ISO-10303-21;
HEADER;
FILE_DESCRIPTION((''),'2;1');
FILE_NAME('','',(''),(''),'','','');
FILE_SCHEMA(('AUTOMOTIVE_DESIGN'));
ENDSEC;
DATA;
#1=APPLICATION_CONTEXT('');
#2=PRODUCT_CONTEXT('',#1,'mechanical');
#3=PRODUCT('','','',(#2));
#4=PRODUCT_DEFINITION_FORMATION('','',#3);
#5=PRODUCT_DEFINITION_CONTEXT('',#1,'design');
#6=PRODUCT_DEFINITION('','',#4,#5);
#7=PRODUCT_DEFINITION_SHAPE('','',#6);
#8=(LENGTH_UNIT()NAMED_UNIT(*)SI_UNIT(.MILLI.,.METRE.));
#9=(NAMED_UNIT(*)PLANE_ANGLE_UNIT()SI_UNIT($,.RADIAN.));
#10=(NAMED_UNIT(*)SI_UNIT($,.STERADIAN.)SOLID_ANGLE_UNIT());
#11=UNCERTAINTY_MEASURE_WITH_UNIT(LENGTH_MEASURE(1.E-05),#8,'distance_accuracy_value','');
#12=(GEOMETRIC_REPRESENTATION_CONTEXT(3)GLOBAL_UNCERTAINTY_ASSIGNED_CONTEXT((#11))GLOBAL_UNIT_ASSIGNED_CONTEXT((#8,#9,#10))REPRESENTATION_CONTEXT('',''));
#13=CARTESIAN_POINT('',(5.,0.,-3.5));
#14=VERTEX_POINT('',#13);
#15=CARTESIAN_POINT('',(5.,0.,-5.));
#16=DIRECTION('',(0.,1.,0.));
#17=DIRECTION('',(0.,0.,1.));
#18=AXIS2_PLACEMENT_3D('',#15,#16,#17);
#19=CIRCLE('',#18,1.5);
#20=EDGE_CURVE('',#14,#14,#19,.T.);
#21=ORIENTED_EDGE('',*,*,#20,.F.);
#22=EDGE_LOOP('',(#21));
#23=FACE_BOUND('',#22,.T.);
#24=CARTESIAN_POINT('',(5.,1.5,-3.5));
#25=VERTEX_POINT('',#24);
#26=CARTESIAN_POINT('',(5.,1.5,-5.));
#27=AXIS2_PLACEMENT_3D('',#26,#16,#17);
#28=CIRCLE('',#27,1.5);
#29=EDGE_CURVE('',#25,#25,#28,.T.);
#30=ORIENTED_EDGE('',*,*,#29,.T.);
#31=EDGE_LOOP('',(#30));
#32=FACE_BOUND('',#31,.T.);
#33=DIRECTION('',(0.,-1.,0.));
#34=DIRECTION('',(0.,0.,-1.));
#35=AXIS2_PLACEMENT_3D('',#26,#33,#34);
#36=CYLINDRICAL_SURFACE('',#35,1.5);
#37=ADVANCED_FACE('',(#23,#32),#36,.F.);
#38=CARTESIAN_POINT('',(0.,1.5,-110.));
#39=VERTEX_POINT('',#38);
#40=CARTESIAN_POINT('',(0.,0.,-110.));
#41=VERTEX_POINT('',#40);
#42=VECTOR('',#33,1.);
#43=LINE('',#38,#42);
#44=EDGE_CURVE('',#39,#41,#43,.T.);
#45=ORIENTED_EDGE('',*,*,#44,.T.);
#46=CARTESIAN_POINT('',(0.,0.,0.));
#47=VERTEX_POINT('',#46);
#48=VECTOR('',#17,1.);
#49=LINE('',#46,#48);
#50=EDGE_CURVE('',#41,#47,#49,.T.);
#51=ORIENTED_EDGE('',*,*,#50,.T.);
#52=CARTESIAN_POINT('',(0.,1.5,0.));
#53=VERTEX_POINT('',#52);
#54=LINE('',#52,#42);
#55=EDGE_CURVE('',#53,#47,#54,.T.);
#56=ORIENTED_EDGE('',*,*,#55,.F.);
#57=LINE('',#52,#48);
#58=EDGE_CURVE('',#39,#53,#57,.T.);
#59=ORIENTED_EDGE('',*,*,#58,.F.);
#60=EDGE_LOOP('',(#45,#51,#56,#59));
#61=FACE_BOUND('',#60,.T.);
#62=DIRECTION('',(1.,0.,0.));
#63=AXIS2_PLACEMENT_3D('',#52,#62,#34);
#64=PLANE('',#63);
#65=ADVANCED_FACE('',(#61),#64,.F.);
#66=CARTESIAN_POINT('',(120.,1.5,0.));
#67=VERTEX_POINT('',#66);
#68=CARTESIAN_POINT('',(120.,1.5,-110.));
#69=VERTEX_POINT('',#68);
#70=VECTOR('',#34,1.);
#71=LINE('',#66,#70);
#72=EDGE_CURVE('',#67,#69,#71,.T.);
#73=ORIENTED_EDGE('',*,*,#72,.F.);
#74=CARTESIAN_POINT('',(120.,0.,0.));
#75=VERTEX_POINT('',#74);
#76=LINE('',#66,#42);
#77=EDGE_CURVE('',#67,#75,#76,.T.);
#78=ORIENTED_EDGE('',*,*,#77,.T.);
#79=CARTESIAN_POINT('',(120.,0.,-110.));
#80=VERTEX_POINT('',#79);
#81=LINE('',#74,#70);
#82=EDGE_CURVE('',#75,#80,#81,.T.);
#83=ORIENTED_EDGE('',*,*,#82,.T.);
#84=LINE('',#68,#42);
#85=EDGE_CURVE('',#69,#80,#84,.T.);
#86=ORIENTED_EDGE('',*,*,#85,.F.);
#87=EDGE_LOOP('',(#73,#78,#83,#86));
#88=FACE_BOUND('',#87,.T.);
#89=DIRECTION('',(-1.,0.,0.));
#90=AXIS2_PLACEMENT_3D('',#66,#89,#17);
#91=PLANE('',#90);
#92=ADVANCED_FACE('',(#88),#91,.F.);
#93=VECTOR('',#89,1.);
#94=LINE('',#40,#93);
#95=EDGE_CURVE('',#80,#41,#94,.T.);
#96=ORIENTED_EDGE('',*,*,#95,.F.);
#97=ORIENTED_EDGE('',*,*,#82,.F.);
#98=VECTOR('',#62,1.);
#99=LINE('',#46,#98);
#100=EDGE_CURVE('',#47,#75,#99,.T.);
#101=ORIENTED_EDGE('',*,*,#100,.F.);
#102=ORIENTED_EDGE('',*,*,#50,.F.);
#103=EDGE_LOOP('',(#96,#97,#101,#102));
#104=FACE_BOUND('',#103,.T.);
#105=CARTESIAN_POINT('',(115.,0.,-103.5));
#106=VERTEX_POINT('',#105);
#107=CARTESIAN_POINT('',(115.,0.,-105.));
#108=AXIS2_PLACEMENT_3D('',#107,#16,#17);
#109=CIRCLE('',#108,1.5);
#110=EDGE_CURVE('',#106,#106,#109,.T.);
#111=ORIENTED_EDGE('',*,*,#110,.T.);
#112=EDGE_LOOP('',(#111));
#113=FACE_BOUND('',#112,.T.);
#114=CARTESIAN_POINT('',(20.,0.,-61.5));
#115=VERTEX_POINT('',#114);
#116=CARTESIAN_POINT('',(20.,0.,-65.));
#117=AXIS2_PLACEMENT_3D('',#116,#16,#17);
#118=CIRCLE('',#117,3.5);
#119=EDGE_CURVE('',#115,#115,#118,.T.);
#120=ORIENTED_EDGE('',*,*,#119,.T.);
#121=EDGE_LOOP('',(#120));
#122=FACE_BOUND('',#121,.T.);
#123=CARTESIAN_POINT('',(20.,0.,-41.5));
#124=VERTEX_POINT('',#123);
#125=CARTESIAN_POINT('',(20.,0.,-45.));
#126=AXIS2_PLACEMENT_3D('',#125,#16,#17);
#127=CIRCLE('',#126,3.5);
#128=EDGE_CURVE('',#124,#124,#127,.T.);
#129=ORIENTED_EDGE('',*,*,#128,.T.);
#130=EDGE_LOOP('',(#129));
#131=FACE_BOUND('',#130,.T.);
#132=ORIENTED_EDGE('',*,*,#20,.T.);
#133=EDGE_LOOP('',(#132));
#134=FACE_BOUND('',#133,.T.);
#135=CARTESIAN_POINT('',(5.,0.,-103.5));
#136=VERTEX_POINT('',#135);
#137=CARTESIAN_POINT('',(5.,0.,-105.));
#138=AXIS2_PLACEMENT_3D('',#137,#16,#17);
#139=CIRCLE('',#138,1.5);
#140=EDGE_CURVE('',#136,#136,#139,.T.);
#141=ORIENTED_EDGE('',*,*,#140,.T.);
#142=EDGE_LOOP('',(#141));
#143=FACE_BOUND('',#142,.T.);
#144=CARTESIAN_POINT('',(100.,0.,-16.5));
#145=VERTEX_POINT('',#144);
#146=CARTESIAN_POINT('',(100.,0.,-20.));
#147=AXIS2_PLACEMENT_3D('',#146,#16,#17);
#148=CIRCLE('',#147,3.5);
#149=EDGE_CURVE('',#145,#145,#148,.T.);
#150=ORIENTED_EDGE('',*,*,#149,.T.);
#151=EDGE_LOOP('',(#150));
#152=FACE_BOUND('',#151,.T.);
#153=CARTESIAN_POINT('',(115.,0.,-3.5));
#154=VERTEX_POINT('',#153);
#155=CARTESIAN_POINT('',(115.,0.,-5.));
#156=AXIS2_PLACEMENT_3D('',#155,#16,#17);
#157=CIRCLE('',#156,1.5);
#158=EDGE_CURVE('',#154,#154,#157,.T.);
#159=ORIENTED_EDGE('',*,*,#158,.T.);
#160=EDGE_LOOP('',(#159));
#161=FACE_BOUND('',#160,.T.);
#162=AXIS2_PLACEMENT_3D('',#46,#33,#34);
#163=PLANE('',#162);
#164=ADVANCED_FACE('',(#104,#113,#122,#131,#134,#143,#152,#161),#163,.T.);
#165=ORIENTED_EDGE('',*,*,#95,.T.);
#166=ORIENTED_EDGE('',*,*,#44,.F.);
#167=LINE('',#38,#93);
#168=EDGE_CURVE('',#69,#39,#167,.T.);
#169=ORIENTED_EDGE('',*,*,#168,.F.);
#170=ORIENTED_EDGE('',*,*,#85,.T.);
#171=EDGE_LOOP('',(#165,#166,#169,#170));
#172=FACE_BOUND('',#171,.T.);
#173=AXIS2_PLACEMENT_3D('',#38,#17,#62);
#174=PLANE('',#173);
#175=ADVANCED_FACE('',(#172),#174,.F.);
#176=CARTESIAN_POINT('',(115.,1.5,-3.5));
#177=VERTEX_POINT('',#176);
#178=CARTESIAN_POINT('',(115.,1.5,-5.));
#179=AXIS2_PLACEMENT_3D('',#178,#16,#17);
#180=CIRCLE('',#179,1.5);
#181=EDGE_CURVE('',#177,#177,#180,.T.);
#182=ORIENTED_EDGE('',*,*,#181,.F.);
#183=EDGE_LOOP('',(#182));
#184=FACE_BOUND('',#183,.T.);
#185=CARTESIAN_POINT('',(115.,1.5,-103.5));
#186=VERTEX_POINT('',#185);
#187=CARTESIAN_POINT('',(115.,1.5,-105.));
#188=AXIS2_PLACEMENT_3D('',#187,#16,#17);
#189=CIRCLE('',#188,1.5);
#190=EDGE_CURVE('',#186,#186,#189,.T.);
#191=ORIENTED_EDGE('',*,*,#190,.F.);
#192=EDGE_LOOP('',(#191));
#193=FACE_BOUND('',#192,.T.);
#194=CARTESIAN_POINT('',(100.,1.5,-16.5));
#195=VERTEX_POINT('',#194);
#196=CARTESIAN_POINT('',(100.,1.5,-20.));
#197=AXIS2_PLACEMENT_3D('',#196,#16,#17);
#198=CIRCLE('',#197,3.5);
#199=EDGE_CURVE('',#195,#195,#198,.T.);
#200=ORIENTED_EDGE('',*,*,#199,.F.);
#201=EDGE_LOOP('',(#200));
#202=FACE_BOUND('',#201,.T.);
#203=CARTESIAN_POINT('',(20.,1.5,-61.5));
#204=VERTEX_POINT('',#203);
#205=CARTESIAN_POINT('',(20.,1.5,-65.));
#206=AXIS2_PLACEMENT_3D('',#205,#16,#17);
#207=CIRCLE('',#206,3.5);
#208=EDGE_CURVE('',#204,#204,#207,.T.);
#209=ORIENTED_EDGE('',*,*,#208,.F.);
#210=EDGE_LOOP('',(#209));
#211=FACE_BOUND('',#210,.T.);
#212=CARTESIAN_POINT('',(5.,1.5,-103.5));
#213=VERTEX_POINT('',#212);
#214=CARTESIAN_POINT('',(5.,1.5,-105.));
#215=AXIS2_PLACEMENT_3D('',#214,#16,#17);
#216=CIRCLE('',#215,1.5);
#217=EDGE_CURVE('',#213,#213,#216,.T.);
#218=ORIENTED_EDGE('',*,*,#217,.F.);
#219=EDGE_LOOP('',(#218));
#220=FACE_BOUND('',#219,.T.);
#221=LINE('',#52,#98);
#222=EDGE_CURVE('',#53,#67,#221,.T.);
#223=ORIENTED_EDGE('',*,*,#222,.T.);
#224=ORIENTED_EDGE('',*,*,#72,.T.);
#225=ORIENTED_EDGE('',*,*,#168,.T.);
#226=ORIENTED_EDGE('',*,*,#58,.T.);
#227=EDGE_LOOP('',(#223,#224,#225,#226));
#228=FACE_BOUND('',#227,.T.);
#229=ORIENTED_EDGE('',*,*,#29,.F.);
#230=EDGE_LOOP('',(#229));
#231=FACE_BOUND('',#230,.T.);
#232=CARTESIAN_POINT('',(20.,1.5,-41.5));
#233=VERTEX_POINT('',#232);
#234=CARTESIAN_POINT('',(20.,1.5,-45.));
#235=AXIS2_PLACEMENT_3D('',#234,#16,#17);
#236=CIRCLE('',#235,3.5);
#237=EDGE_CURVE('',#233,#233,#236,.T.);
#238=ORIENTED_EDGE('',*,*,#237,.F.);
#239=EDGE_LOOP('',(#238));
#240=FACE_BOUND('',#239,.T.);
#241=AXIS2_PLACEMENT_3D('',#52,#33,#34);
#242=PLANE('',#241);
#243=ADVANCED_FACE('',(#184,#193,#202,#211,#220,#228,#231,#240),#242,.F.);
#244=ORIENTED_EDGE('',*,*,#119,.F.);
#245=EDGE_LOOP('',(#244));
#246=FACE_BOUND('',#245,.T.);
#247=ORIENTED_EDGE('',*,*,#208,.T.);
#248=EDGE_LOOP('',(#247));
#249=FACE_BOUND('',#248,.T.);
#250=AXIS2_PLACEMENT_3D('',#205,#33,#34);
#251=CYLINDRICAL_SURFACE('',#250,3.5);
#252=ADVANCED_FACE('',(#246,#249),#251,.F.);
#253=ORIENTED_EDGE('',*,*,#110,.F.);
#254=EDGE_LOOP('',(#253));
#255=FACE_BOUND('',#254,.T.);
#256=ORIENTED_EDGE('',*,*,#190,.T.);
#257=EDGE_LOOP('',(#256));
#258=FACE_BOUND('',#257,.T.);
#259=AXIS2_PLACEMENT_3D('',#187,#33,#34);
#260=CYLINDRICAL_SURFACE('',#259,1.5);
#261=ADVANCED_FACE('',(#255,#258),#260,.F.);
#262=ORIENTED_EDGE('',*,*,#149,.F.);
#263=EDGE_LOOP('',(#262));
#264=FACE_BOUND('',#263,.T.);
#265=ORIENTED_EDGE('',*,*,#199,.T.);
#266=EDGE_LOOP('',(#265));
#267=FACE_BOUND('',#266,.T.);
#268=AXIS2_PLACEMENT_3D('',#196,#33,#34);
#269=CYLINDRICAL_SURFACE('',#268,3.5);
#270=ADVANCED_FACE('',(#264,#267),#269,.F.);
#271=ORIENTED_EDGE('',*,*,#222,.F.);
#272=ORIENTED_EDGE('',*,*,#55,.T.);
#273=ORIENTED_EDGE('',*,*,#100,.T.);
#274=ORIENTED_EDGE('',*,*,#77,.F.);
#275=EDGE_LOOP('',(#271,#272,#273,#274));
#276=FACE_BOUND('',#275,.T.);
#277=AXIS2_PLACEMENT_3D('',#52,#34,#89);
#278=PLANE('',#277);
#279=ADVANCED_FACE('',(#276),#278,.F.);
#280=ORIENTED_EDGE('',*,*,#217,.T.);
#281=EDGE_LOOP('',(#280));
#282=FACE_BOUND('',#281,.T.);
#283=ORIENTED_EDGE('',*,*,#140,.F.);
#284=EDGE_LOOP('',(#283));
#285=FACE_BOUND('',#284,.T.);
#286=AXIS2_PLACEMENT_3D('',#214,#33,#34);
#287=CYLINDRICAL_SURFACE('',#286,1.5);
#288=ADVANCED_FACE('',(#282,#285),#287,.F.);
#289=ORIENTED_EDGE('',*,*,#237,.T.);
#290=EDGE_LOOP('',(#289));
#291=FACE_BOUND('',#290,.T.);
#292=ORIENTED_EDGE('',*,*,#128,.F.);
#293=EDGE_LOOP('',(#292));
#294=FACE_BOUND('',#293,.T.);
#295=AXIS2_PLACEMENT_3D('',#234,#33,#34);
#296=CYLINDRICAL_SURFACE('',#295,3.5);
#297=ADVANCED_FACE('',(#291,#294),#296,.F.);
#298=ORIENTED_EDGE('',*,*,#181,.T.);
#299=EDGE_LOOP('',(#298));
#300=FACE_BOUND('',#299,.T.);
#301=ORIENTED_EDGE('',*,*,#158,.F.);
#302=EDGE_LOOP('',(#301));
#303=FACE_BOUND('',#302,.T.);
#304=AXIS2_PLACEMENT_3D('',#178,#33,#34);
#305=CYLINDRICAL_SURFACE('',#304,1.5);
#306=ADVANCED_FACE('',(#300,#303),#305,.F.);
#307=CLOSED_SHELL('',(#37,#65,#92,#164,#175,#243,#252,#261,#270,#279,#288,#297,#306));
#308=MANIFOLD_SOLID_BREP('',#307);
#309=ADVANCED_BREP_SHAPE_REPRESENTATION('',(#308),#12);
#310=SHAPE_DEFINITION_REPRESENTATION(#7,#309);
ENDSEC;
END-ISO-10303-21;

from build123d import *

# Parameters (mm, degrees)
SKETCH1_W           = 120
SKETCH1_H           = 110
SKETCH1_R           = 1.5
SKETCH1_R_2         = 3.5
BOSS_EXTRUDE1_DEPTH = 1.5


with BuildPart() as part:
    # Sketch1 → Boss-Extrude1 (new body)
    with BuildSketch(Plane(origin=(0, 0, 0), x_dir=(1, 0, 0), z_dir=(0, 1, 0))):
        with Locations((60, 55)):
            Rectangle(SKETCH1_W, SKETCH1_H)
        with Locations(Location((5, 105, 0), (0, 0, 270))):
            Circle(SKETCH1_R, mode=Mode.SUBTRACT)
        with Locations(Location((115, 105, 0), (0, 0, 270))):
            Circle(SKETCH1_R, mode=Mode.SUBTRACT)
        with Locations(Location((115, 5, 0), (0, 0, 270))):
            Circle(SKETCH1_R, mode=Mode.SUBTRACT)
        with Locations(Location((5, 5, 0), (0, 0, 270))):
            Circle(SKETCH1_R, mode=Mode.SUBTRACT)
        with Locations(Location((100, 20, 0), (0, 0, 270))):
            Circle(SKETCH1_R_2, mode=Mode.SUBTRACT)
        with Locations(Location((20, 65, 0), (0, 0, 270))):
            Circle(SKETCH1_R_2, mode=Mode.SUBTRACT)
        with Locations(Location((20, 45, 0), (0, 0, 270))):
            Circle(SKETCH1_R_2, mode=Mode.SUBTRACT)
    extrude(amount=BOSS_EXTRUDE1_DEPTH)


solid = part.part
